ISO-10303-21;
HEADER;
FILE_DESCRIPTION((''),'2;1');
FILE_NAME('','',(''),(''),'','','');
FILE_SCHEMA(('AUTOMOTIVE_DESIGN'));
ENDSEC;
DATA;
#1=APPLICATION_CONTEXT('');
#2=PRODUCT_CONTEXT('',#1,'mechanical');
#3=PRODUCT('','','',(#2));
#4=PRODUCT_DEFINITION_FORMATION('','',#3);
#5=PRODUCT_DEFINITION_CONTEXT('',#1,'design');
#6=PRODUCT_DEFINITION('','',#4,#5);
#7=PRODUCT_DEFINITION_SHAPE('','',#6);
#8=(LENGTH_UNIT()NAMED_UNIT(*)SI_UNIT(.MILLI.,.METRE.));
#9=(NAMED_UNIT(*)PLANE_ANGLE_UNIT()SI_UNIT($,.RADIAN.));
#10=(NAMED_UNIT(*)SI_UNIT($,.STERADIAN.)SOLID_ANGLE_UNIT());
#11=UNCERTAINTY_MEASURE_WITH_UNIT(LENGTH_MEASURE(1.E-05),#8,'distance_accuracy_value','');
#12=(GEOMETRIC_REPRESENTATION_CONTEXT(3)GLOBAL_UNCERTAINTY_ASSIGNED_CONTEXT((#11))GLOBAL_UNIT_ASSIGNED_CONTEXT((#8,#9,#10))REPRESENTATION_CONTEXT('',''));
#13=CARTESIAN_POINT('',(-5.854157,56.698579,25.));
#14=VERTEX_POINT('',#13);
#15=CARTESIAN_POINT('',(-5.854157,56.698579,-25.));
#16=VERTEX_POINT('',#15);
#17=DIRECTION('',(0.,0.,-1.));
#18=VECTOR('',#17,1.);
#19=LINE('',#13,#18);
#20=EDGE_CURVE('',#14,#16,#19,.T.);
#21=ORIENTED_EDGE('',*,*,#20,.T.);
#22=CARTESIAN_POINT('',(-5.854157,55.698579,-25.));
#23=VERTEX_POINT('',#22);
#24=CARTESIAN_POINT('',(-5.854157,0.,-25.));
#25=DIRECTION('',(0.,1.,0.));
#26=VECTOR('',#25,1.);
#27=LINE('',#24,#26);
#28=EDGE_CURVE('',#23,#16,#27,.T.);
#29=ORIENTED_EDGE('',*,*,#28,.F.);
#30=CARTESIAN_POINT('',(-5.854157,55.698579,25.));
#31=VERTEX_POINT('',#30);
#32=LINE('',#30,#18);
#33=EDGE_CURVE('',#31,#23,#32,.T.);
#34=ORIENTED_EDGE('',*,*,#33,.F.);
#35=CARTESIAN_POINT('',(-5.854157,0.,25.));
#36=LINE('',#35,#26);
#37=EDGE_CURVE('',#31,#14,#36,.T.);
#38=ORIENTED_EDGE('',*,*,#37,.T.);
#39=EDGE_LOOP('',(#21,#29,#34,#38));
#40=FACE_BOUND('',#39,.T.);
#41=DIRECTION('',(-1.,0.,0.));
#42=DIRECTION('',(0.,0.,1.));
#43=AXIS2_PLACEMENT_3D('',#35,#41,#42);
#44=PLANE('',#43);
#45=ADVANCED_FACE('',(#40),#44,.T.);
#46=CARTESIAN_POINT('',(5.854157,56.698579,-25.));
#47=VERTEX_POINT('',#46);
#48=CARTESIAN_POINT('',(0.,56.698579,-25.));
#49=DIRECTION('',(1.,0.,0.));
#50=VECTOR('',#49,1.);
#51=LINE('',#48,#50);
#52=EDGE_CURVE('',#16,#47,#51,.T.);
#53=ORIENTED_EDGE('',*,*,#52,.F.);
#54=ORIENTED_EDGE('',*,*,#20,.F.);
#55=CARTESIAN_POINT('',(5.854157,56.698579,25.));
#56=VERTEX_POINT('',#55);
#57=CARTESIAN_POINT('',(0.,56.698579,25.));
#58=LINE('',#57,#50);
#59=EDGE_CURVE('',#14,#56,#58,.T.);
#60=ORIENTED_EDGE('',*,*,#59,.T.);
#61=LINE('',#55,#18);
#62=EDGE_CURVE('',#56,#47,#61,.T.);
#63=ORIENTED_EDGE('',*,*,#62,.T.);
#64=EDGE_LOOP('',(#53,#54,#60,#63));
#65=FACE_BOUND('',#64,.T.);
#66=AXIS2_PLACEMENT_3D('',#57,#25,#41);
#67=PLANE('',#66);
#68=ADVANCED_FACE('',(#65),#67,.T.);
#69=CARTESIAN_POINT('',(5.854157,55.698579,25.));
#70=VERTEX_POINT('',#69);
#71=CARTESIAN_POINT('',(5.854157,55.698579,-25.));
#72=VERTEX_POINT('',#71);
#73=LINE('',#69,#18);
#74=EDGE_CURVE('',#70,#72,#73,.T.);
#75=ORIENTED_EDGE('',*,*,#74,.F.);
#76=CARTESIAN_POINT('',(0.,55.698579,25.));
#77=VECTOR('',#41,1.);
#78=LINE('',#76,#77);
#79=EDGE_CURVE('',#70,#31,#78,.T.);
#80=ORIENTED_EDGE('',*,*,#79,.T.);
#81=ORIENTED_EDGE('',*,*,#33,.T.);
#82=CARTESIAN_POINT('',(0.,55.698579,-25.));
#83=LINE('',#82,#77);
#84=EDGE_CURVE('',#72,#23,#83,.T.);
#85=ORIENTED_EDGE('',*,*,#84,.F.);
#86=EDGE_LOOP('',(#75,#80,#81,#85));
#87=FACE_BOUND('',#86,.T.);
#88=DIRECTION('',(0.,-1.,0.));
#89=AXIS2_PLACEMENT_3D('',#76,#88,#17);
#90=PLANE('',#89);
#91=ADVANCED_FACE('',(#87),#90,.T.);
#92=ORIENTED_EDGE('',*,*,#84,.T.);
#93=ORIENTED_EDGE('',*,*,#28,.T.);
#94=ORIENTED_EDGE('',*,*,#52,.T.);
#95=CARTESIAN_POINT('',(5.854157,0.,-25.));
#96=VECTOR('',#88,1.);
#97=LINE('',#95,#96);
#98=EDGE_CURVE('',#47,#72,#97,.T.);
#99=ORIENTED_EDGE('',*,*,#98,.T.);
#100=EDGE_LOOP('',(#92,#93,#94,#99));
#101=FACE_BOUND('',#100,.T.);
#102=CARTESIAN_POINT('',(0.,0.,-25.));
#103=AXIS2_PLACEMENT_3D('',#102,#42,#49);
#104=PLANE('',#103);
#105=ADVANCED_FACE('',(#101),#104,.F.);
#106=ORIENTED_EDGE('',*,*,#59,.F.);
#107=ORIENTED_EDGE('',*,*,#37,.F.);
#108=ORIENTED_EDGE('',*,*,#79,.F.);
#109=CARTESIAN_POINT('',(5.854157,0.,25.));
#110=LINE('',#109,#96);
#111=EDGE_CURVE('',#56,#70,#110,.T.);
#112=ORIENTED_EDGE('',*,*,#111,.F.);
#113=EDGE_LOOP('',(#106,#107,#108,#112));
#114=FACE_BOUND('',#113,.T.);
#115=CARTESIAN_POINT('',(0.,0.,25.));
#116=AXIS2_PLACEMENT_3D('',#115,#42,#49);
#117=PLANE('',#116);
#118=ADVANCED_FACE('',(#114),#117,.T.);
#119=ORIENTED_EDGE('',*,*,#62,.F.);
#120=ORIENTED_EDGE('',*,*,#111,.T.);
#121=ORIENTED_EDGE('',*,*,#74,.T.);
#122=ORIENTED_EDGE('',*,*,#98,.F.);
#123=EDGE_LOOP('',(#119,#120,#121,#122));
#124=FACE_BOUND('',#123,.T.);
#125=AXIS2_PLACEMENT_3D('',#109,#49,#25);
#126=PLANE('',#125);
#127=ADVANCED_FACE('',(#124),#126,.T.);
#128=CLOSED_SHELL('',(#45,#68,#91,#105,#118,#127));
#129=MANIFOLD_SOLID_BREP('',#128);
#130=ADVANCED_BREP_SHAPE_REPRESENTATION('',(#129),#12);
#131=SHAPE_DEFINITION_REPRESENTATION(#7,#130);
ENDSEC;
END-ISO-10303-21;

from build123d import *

# Parameters (mm, degrees)
SKETCH1_W           = 11.708313084
SKETCH1_H           = 1
BOSS_EXTRUDE1_DEPTH = 25


with BuildPart() as part:
    # Sketch1 → Boss-Extrude1 (new, symmetric)
    with BuildSketch(Plane.XY):
        with Locations((0, 56.198578917)):
            Rectangle(SKETCH1_W, SKETCH1_H)
    extrude(amount=BOSS_EXTRUDE1_DEPTH, both=True)


solid = part.part
